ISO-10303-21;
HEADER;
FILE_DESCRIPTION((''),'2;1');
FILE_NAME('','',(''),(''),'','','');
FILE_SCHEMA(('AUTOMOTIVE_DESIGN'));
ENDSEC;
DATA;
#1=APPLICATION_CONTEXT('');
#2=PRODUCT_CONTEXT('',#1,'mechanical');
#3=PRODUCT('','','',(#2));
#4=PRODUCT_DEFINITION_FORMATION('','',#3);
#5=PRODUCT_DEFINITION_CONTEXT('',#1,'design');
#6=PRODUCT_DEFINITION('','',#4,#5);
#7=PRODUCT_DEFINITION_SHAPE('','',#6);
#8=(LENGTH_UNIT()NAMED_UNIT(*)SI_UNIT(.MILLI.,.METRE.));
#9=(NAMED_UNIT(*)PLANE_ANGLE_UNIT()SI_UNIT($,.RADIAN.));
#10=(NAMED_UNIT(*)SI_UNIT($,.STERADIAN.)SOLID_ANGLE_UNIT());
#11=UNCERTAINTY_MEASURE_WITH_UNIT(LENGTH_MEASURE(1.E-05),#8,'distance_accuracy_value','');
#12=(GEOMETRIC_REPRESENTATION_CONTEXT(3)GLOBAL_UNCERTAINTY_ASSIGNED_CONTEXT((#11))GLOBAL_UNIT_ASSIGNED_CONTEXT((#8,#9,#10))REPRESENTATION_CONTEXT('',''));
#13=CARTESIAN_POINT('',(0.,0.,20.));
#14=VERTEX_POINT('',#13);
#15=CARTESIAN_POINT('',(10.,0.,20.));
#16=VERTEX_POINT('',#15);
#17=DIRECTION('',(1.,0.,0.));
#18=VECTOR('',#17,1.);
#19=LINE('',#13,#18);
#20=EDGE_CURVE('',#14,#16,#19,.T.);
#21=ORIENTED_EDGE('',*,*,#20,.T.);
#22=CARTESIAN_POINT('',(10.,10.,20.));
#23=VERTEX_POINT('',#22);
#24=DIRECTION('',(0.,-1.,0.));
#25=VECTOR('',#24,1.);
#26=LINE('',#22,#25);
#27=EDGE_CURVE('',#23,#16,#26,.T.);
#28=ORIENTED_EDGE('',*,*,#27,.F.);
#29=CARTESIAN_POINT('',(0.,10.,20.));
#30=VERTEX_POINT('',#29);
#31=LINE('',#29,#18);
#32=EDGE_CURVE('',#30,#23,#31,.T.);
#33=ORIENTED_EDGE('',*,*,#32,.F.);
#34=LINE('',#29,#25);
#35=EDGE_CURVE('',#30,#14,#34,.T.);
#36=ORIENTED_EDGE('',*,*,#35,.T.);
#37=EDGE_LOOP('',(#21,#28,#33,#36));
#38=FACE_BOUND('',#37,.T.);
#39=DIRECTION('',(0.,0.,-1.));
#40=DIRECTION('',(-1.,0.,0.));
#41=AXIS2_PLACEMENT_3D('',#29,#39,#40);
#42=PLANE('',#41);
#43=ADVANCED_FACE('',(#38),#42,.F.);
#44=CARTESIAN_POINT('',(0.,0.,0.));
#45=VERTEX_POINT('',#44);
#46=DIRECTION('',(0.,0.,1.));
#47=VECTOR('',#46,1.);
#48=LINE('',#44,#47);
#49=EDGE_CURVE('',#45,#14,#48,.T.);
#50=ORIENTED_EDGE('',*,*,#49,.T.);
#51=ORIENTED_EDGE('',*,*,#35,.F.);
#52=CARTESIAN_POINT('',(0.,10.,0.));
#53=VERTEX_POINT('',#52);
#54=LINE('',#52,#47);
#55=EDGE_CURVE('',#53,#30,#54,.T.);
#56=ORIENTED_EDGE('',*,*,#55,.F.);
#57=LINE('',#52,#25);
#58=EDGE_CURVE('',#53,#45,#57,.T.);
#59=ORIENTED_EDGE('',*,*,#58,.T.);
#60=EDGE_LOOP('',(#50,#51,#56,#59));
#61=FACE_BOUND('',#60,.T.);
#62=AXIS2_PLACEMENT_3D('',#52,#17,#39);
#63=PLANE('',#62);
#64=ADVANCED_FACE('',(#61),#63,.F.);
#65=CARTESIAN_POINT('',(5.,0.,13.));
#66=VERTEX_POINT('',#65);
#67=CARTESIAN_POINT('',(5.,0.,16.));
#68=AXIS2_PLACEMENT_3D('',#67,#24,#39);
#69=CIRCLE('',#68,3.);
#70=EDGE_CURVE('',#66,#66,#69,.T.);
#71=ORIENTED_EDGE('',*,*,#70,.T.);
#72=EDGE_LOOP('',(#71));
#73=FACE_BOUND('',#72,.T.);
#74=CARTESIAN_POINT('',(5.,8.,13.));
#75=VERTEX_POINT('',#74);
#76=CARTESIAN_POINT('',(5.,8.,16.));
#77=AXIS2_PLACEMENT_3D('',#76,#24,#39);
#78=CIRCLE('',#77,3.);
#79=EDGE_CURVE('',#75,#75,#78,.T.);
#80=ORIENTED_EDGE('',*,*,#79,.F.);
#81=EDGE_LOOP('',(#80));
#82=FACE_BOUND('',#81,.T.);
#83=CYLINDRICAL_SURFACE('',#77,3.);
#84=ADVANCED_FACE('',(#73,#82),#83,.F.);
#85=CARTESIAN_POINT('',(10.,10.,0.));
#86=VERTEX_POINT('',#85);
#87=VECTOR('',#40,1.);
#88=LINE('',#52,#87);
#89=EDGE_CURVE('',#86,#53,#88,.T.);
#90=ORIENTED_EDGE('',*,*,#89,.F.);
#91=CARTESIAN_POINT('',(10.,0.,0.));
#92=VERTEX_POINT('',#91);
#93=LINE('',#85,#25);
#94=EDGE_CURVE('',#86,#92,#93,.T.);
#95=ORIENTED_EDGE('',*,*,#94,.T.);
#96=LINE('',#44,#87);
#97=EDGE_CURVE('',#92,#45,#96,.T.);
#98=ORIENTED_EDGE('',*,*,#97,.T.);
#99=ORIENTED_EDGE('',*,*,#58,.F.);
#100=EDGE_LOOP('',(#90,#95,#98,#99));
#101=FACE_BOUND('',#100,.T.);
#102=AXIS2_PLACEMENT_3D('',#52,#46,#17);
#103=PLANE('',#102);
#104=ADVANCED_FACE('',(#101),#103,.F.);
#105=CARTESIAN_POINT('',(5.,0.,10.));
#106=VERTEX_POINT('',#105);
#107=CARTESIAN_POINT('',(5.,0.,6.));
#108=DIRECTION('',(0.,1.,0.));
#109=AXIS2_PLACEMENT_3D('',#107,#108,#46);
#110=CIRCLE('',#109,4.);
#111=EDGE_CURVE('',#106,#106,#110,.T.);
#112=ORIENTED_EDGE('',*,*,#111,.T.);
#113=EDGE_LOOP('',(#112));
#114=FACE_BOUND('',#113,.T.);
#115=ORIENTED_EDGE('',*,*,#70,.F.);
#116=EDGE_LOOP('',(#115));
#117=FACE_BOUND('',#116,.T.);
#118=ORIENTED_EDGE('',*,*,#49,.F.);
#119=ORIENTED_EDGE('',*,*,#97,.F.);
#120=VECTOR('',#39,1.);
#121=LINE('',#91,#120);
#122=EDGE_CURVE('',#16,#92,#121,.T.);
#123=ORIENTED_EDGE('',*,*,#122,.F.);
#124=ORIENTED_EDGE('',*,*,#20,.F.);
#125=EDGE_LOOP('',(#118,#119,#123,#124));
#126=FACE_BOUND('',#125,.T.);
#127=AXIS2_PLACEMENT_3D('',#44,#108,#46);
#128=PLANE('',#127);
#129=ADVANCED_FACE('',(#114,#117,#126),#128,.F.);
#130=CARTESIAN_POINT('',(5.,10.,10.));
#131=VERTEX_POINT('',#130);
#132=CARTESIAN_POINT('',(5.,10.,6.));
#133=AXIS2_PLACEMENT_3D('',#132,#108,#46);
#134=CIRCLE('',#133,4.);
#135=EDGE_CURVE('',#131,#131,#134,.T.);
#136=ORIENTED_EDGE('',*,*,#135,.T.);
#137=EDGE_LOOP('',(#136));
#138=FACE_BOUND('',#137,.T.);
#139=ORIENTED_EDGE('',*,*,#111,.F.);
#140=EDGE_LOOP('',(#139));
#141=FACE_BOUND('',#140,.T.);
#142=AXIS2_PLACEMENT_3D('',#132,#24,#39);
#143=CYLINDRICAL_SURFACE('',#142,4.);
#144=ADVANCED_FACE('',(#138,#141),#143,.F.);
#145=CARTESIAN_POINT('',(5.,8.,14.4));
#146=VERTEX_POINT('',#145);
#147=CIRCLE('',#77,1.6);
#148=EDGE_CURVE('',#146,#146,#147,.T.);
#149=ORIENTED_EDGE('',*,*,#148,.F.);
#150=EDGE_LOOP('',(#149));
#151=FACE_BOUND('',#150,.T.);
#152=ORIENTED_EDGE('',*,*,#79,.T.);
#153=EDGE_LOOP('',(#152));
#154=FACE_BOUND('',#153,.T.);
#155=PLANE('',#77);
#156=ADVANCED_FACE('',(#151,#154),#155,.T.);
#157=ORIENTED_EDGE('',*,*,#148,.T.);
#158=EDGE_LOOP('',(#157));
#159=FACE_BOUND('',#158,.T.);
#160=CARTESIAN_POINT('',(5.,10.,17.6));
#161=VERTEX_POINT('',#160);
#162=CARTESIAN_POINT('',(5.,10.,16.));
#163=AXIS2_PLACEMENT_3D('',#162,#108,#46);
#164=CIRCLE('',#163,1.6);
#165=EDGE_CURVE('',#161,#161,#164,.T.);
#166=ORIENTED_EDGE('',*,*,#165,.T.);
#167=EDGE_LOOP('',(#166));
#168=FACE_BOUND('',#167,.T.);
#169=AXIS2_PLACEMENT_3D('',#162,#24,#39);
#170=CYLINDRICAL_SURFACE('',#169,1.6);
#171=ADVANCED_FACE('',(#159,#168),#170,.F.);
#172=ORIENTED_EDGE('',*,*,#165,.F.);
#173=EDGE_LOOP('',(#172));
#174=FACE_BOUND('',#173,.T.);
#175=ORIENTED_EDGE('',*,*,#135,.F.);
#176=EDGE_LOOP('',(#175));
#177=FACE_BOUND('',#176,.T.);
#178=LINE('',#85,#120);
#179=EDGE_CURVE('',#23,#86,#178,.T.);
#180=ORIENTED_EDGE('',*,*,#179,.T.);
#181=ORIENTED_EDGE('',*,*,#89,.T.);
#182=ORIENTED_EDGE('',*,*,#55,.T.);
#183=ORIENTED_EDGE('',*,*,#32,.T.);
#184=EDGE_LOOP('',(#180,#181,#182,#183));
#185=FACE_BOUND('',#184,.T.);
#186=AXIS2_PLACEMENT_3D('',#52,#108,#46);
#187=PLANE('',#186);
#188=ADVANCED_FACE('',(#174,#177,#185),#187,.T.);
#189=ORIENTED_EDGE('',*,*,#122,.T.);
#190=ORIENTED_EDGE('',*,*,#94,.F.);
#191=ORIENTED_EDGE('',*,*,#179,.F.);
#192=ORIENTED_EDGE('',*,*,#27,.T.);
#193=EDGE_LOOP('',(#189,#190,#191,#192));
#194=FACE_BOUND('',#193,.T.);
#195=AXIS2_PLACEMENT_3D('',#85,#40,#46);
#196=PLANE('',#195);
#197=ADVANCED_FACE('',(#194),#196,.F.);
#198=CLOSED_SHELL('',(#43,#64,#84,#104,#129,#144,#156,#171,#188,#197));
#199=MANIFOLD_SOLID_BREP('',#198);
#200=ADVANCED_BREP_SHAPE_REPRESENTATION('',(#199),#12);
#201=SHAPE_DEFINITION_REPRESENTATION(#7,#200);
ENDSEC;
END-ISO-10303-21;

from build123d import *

# Parameters (mm, degrees)
SKETCH1_W           = 10
SKETCH1_H           = 20
SKETCH1_R           = 4
SKETCH1_R_2         = 1.6
BOSS_EXTRUDE1_DEPTH = 10
SKETCH2_R           = 3
CUT_EXTRUDE1_DEPTH  = 8


with BuildPart() as part:
    # Sketch1 → Boss-Extrude1 (new body)
    with BuildSketch(Plane(origin=(0, 0, 0), x_dir=(1, 0, 0), z_dir=(0, 1, 0))):
        with Locations((5, -10)):
            Rectangle(SKETCH1_W, SKETCH1_H)
        with Locations((5, -6)):
            Circle(SKETCH1_R, mode=Mode.SUBTRACT)
        with Locations((5, -16)):
            Circle(SKETCH1_R_2, mode=Mode.SUBTRACT)
    extrude(amount=BOSS_EXTRUDE1_DEPTH)

    # Sketch2 → Cut-Extrude1 (cut)
    with BuildSketch(Plane.XZ):
        with Locations((5, 16)):
            Circle(SKETCH2_R)
    extrude(amount=-CUT_EXTRUDE1_DEPTH, mode=Mode.SUBTRACT)


solid = part.part
